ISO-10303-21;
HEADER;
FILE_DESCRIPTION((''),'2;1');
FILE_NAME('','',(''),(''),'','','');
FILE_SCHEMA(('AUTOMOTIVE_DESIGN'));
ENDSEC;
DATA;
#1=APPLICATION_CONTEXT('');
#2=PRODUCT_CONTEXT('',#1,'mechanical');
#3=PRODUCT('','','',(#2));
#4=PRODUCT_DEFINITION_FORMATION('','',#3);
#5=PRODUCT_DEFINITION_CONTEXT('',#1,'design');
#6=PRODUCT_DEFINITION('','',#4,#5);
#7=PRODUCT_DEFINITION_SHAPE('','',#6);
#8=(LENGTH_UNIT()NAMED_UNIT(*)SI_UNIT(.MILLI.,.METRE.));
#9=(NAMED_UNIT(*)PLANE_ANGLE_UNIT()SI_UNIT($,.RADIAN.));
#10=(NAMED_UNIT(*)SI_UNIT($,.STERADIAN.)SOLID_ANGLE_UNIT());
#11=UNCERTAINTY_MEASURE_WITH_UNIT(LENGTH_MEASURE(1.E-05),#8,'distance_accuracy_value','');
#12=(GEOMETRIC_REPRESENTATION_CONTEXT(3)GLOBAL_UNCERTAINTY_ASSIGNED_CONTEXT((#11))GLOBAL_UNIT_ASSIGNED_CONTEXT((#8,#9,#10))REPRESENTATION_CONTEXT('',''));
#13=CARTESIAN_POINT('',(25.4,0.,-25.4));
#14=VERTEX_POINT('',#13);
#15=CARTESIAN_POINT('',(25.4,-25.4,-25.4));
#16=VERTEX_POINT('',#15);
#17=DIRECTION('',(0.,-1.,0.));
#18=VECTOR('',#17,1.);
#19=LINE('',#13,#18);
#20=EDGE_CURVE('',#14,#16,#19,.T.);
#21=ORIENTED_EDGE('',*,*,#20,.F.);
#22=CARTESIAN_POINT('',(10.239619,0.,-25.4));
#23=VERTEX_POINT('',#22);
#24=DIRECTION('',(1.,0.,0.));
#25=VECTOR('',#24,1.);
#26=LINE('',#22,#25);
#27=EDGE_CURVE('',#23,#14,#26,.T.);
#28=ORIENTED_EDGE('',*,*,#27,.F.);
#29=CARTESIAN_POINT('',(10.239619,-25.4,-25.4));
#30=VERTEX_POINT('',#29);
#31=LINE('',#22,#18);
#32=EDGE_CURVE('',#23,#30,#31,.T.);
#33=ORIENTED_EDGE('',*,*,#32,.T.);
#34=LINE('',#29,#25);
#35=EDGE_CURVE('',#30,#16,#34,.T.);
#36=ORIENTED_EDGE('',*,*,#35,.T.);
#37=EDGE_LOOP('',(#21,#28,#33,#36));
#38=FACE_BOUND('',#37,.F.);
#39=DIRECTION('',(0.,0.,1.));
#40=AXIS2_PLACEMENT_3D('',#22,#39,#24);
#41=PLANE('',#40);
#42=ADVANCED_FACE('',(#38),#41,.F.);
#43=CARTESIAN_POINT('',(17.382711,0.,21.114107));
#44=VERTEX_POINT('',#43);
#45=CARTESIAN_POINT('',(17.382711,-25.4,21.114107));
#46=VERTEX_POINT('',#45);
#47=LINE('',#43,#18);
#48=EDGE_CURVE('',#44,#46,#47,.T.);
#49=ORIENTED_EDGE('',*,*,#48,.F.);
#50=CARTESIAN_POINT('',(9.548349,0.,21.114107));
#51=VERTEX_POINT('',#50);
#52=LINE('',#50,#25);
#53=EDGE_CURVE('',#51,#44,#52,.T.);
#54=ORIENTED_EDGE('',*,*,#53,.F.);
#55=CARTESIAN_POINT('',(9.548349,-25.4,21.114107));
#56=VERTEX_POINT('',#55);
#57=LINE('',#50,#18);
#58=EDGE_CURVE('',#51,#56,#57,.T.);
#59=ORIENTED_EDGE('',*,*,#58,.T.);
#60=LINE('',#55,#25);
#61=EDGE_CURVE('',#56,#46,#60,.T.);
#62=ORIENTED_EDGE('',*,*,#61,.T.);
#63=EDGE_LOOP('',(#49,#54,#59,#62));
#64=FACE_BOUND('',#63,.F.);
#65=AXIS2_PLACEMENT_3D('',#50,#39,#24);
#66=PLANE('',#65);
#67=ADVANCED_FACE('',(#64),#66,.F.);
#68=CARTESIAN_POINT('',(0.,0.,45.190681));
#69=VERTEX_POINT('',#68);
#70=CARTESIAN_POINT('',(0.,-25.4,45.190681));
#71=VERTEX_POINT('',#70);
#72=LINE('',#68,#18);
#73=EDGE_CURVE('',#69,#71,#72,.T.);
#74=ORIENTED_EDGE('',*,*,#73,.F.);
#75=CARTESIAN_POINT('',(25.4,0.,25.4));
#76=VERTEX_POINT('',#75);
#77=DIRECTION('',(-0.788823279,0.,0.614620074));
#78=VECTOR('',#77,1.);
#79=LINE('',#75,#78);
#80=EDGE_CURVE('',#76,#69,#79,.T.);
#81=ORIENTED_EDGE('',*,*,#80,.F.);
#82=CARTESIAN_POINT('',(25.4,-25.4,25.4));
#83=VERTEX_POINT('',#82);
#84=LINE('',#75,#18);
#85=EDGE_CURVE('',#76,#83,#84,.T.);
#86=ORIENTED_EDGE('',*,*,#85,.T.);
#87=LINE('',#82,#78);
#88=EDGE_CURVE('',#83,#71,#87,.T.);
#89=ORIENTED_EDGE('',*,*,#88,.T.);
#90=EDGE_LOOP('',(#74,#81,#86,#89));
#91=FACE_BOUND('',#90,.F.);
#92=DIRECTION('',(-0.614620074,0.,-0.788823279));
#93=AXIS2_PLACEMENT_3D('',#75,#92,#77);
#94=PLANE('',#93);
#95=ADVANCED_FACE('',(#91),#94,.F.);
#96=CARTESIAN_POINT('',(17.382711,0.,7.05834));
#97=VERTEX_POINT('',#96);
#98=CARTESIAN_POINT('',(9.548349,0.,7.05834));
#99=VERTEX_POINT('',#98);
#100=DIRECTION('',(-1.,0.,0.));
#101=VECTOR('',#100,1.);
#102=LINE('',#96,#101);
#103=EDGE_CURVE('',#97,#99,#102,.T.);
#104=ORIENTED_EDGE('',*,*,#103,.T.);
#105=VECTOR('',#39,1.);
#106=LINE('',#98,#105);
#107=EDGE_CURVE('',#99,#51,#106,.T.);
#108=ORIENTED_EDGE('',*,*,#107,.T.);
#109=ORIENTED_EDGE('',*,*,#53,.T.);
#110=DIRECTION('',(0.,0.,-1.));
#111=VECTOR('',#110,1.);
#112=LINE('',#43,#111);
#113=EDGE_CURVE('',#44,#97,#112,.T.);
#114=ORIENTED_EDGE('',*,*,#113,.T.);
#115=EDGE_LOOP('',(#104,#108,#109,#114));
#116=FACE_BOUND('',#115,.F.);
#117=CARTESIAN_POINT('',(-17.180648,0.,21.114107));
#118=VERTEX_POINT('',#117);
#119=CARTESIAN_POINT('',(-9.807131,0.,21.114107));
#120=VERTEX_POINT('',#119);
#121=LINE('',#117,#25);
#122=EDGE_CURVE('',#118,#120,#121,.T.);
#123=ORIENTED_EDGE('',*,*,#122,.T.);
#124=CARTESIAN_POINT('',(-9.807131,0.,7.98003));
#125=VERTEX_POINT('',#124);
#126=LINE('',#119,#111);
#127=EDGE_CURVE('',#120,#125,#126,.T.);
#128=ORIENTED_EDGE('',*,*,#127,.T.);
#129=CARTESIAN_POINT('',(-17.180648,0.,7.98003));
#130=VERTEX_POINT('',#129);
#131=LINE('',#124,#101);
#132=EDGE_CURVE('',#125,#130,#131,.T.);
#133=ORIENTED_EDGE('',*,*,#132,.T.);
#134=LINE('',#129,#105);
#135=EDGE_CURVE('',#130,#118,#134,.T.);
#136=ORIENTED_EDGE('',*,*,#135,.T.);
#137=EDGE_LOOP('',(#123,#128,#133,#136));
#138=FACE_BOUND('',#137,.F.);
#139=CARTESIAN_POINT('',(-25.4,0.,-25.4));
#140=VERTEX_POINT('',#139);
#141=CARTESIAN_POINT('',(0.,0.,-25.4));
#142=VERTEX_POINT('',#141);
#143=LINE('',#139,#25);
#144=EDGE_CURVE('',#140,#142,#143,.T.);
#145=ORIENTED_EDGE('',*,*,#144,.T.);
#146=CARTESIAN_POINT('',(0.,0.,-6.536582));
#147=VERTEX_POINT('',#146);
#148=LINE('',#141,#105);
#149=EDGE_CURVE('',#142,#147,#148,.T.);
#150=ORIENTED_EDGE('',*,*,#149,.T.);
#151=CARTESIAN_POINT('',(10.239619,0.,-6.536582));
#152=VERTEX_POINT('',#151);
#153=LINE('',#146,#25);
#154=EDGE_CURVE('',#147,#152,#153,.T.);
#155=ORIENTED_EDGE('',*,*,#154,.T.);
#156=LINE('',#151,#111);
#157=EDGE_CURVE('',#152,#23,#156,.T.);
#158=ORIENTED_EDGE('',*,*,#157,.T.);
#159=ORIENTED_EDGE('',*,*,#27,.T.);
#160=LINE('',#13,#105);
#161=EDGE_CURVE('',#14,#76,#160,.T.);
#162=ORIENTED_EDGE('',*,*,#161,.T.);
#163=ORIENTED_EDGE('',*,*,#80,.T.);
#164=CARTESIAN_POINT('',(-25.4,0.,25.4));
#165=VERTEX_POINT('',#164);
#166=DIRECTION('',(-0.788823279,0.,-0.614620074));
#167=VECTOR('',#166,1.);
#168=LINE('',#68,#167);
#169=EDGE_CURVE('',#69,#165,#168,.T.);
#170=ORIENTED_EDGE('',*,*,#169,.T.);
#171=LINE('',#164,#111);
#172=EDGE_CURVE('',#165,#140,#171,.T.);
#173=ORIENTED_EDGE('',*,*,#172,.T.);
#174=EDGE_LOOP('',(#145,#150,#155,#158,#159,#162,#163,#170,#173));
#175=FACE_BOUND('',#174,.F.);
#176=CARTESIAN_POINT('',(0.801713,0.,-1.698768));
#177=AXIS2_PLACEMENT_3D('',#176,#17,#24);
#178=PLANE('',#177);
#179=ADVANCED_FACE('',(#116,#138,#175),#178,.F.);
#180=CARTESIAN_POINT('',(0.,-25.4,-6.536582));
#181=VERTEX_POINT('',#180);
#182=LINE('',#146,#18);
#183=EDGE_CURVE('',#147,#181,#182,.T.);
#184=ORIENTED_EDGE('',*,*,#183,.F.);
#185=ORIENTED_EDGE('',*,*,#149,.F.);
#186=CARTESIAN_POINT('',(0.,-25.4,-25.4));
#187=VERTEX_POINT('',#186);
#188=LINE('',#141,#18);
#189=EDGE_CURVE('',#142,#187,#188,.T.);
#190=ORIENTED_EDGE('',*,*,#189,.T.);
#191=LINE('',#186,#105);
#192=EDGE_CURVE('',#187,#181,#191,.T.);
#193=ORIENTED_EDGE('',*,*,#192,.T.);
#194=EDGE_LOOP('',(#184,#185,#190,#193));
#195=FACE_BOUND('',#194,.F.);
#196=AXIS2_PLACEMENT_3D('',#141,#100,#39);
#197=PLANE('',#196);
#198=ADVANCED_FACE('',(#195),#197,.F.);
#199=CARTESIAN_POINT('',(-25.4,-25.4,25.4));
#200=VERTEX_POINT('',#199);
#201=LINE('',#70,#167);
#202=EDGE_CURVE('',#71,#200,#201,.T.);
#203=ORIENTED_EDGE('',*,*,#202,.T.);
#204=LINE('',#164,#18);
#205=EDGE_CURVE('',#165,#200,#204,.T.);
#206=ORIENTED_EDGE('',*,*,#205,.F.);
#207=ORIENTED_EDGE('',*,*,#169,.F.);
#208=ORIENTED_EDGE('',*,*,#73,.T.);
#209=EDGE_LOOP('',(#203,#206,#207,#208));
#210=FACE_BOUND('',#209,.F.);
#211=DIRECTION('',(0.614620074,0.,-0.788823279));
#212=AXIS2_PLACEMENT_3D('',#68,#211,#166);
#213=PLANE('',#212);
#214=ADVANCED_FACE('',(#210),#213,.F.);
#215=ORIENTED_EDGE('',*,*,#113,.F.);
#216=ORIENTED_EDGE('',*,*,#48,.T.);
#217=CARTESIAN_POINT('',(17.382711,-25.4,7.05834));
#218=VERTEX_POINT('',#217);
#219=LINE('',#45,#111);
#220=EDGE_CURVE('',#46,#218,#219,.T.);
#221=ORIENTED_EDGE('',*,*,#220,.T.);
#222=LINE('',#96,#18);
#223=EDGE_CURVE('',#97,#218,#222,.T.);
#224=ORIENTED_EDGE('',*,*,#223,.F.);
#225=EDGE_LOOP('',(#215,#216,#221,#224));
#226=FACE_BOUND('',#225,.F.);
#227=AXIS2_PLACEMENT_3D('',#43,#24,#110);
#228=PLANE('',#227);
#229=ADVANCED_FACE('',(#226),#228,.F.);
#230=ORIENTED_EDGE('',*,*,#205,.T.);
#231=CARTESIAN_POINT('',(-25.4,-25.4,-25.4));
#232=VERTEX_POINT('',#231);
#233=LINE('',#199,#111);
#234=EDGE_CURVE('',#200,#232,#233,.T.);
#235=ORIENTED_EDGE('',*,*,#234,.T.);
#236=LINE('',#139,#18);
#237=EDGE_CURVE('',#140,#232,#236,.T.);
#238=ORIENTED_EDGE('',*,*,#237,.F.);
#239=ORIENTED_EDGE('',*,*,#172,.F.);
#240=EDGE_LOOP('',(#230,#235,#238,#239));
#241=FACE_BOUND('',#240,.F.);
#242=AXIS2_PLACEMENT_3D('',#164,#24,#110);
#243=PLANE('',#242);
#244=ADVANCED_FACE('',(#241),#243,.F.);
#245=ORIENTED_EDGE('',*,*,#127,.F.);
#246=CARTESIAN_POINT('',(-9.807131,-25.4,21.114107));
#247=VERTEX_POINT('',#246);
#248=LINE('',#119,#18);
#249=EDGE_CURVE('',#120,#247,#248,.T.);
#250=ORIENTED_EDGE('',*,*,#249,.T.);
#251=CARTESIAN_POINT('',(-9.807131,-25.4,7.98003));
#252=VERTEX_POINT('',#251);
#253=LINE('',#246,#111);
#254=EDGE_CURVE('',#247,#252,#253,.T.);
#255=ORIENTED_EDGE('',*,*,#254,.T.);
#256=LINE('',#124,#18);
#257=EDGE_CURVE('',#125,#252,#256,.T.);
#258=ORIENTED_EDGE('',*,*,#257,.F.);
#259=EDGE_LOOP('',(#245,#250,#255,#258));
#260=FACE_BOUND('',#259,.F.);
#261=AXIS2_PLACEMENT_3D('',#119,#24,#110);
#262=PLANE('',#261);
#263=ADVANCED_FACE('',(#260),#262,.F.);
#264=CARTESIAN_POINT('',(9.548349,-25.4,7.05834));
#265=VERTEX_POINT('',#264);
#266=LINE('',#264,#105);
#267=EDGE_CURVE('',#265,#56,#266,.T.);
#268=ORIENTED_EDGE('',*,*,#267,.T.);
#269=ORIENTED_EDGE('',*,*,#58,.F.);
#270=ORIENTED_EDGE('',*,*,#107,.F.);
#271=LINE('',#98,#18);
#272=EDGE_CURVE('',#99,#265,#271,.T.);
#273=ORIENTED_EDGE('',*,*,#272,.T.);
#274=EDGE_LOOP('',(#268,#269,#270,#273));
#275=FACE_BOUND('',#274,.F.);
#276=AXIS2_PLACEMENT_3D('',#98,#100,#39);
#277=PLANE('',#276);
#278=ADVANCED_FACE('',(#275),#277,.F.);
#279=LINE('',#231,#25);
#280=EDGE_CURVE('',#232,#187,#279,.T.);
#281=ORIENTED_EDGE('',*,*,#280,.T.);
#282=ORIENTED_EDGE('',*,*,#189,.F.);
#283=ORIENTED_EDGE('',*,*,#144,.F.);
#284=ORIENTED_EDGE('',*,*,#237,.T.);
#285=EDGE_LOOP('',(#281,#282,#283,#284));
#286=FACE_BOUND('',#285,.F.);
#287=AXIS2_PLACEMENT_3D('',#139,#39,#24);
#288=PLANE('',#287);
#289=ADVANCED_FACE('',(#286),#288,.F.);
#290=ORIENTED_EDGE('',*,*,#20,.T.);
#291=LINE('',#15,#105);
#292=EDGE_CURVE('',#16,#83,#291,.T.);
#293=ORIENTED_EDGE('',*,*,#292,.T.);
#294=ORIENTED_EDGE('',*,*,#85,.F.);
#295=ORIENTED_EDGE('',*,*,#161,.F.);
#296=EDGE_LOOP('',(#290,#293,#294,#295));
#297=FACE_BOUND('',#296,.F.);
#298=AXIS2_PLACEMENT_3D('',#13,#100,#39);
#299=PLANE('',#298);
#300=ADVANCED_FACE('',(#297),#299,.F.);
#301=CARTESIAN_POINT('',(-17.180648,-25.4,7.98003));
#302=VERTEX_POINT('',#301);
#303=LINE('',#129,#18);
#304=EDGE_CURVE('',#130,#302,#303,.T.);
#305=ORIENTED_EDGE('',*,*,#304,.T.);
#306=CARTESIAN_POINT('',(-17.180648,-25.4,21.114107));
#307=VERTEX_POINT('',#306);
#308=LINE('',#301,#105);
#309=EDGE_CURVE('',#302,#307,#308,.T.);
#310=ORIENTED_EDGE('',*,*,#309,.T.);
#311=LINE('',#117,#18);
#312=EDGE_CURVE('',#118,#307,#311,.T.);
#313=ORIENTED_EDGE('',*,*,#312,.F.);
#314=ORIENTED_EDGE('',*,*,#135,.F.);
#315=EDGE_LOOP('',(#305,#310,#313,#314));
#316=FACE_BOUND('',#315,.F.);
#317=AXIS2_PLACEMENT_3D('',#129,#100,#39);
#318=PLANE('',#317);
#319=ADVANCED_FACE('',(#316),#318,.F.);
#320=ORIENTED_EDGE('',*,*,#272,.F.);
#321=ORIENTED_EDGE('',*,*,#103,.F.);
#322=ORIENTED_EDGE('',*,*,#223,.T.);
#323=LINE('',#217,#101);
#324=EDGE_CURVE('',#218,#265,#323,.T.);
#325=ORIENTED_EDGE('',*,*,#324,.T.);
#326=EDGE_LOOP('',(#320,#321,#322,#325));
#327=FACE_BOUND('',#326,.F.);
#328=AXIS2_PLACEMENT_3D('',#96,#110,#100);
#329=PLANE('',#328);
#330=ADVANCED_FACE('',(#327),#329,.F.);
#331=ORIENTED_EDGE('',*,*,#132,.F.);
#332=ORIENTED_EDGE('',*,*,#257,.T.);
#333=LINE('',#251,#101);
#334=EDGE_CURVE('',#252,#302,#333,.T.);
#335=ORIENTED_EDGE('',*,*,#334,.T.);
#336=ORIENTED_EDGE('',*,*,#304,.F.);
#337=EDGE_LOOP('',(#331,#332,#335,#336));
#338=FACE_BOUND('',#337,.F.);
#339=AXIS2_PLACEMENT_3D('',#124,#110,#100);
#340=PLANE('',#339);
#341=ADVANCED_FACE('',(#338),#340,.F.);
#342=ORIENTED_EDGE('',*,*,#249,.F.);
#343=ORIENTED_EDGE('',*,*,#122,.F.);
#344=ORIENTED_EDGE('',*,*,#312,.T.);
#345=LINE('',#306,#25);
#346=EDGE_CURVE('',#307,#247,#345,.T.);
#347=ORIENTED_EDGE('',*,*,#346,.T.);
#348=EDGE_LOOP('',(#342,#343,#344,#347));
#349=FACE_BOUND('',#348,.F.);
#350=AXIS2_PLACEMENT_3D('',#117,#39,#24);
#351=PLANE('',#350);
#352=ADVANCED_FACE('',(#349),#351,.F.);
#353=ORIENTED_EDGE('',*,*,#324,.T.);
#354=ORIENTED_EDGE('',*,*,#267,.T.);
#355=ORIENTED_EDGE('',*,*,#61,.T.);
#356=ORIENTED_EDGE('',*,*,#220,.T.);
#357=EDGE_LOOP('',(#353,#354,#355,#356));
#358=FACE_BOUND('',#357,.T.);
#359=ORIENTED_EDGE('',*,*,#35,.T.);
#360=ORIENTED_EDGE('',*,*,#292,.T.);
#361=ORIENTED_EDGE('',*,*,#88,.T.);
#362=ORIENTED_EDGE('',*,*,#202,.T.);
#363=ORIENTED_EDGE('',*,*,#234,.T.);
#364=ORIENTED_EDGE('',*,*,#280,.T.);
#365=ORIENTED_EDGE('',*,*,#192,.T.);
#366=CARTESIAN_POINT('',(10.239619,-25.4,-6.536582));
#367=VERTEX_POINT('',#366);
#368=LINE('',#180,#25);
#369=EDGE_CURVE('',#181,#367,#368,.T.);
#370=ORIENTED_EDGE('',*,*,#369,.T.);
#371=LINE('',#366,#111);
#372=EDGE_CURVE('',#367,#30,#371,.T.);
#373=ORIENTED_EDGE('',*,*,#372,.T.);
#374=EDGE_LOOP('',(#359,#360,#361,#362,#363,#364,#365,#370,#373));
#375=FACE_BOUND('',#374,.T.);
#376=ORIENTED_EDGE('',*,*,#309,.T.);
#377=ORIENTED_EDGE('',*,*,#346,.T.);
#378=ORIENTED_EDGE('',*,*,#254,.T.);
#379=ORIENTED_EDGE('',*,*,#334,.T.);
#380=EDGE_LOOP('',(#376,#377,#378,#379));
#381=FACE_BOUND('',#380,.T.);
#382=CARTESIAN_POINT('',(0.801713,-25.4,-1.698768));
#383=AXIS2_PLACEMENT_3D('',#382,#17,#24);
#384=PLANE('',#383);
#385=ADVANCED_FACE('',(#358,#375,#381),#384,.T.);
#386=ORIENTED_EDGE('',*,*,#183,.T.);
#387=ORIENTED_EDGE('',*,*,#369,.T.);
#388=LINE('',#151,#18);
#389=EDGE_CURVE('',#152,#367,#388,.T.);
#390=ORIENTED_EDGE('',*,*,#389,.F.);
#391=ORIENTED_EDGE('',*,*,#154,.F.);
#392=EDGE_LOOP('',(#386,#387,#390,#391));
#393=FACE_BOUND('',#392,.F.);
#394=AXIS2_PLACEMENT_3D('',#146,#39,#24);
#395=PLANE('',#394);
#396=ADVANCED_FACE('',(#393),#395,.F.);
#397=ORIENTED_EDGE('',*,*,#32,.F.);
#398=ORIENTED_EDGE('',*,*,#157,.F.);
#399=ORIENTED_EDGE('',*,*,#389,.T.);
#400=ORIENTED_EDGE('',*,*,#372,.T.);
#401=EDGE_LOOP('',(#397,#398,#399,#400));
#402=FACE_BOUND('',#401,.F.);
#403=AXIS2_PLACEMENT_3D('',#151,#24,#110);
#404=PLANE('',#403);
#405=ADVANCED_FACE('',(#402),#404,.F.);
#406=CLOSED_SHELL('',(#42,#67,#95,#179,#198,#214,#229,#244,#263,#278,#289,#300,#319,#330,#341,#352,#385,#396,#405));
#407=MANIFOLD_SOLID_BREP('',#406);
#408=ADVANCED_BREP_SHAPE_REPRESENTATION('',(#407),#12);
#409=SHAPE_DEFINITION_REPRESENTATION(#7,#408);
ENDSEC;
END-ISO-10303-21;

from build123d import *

# Parameters (mm, degrees)
F1_DEPTH = 25.4


with BuildPart() as f1:
    # F0 (on Front) → F1 (new body)
    with BuildSketch(Plane.XZ):
        Polygon((25.4, -25.4), (25.4, 25.4), (-25.4, 25.4), (-25.4, -25.4), (0, -25.4), (0, -6.536582), (10.239619, -6.536582), (10.239619, -16.214322), (10.239619, -25.4), align=None)
        Polygon((-13.493889, 7.98003), (-17.180648, 7.98003), (-17.180648, 14.547069), (-17.180648, 21.114107), (-13.493889, 21.114107), (-9.807131, 21.114107), (-9.807131, 14.547069), (-9.807131, 7.98003), align=None, mode=Mode.SUBTRACT)
        Polygon((13.46553, 7.05834), (9.548349, 7.05834), (9.548349, 14.086224), (9.548349, 21.114107), (13.46553, 21.114107), (17.382711, 21.114107), (17.382711, 14.086224), (17.382711, 7.05834), align=None, mode=Mode.SUBTRACT)
        Polygon((-25.4, 25.4), (25.4, 25.4), (0, 45.190681), align=None)
    extrude(amount=F1_DEPTH)


solid = f1.part
